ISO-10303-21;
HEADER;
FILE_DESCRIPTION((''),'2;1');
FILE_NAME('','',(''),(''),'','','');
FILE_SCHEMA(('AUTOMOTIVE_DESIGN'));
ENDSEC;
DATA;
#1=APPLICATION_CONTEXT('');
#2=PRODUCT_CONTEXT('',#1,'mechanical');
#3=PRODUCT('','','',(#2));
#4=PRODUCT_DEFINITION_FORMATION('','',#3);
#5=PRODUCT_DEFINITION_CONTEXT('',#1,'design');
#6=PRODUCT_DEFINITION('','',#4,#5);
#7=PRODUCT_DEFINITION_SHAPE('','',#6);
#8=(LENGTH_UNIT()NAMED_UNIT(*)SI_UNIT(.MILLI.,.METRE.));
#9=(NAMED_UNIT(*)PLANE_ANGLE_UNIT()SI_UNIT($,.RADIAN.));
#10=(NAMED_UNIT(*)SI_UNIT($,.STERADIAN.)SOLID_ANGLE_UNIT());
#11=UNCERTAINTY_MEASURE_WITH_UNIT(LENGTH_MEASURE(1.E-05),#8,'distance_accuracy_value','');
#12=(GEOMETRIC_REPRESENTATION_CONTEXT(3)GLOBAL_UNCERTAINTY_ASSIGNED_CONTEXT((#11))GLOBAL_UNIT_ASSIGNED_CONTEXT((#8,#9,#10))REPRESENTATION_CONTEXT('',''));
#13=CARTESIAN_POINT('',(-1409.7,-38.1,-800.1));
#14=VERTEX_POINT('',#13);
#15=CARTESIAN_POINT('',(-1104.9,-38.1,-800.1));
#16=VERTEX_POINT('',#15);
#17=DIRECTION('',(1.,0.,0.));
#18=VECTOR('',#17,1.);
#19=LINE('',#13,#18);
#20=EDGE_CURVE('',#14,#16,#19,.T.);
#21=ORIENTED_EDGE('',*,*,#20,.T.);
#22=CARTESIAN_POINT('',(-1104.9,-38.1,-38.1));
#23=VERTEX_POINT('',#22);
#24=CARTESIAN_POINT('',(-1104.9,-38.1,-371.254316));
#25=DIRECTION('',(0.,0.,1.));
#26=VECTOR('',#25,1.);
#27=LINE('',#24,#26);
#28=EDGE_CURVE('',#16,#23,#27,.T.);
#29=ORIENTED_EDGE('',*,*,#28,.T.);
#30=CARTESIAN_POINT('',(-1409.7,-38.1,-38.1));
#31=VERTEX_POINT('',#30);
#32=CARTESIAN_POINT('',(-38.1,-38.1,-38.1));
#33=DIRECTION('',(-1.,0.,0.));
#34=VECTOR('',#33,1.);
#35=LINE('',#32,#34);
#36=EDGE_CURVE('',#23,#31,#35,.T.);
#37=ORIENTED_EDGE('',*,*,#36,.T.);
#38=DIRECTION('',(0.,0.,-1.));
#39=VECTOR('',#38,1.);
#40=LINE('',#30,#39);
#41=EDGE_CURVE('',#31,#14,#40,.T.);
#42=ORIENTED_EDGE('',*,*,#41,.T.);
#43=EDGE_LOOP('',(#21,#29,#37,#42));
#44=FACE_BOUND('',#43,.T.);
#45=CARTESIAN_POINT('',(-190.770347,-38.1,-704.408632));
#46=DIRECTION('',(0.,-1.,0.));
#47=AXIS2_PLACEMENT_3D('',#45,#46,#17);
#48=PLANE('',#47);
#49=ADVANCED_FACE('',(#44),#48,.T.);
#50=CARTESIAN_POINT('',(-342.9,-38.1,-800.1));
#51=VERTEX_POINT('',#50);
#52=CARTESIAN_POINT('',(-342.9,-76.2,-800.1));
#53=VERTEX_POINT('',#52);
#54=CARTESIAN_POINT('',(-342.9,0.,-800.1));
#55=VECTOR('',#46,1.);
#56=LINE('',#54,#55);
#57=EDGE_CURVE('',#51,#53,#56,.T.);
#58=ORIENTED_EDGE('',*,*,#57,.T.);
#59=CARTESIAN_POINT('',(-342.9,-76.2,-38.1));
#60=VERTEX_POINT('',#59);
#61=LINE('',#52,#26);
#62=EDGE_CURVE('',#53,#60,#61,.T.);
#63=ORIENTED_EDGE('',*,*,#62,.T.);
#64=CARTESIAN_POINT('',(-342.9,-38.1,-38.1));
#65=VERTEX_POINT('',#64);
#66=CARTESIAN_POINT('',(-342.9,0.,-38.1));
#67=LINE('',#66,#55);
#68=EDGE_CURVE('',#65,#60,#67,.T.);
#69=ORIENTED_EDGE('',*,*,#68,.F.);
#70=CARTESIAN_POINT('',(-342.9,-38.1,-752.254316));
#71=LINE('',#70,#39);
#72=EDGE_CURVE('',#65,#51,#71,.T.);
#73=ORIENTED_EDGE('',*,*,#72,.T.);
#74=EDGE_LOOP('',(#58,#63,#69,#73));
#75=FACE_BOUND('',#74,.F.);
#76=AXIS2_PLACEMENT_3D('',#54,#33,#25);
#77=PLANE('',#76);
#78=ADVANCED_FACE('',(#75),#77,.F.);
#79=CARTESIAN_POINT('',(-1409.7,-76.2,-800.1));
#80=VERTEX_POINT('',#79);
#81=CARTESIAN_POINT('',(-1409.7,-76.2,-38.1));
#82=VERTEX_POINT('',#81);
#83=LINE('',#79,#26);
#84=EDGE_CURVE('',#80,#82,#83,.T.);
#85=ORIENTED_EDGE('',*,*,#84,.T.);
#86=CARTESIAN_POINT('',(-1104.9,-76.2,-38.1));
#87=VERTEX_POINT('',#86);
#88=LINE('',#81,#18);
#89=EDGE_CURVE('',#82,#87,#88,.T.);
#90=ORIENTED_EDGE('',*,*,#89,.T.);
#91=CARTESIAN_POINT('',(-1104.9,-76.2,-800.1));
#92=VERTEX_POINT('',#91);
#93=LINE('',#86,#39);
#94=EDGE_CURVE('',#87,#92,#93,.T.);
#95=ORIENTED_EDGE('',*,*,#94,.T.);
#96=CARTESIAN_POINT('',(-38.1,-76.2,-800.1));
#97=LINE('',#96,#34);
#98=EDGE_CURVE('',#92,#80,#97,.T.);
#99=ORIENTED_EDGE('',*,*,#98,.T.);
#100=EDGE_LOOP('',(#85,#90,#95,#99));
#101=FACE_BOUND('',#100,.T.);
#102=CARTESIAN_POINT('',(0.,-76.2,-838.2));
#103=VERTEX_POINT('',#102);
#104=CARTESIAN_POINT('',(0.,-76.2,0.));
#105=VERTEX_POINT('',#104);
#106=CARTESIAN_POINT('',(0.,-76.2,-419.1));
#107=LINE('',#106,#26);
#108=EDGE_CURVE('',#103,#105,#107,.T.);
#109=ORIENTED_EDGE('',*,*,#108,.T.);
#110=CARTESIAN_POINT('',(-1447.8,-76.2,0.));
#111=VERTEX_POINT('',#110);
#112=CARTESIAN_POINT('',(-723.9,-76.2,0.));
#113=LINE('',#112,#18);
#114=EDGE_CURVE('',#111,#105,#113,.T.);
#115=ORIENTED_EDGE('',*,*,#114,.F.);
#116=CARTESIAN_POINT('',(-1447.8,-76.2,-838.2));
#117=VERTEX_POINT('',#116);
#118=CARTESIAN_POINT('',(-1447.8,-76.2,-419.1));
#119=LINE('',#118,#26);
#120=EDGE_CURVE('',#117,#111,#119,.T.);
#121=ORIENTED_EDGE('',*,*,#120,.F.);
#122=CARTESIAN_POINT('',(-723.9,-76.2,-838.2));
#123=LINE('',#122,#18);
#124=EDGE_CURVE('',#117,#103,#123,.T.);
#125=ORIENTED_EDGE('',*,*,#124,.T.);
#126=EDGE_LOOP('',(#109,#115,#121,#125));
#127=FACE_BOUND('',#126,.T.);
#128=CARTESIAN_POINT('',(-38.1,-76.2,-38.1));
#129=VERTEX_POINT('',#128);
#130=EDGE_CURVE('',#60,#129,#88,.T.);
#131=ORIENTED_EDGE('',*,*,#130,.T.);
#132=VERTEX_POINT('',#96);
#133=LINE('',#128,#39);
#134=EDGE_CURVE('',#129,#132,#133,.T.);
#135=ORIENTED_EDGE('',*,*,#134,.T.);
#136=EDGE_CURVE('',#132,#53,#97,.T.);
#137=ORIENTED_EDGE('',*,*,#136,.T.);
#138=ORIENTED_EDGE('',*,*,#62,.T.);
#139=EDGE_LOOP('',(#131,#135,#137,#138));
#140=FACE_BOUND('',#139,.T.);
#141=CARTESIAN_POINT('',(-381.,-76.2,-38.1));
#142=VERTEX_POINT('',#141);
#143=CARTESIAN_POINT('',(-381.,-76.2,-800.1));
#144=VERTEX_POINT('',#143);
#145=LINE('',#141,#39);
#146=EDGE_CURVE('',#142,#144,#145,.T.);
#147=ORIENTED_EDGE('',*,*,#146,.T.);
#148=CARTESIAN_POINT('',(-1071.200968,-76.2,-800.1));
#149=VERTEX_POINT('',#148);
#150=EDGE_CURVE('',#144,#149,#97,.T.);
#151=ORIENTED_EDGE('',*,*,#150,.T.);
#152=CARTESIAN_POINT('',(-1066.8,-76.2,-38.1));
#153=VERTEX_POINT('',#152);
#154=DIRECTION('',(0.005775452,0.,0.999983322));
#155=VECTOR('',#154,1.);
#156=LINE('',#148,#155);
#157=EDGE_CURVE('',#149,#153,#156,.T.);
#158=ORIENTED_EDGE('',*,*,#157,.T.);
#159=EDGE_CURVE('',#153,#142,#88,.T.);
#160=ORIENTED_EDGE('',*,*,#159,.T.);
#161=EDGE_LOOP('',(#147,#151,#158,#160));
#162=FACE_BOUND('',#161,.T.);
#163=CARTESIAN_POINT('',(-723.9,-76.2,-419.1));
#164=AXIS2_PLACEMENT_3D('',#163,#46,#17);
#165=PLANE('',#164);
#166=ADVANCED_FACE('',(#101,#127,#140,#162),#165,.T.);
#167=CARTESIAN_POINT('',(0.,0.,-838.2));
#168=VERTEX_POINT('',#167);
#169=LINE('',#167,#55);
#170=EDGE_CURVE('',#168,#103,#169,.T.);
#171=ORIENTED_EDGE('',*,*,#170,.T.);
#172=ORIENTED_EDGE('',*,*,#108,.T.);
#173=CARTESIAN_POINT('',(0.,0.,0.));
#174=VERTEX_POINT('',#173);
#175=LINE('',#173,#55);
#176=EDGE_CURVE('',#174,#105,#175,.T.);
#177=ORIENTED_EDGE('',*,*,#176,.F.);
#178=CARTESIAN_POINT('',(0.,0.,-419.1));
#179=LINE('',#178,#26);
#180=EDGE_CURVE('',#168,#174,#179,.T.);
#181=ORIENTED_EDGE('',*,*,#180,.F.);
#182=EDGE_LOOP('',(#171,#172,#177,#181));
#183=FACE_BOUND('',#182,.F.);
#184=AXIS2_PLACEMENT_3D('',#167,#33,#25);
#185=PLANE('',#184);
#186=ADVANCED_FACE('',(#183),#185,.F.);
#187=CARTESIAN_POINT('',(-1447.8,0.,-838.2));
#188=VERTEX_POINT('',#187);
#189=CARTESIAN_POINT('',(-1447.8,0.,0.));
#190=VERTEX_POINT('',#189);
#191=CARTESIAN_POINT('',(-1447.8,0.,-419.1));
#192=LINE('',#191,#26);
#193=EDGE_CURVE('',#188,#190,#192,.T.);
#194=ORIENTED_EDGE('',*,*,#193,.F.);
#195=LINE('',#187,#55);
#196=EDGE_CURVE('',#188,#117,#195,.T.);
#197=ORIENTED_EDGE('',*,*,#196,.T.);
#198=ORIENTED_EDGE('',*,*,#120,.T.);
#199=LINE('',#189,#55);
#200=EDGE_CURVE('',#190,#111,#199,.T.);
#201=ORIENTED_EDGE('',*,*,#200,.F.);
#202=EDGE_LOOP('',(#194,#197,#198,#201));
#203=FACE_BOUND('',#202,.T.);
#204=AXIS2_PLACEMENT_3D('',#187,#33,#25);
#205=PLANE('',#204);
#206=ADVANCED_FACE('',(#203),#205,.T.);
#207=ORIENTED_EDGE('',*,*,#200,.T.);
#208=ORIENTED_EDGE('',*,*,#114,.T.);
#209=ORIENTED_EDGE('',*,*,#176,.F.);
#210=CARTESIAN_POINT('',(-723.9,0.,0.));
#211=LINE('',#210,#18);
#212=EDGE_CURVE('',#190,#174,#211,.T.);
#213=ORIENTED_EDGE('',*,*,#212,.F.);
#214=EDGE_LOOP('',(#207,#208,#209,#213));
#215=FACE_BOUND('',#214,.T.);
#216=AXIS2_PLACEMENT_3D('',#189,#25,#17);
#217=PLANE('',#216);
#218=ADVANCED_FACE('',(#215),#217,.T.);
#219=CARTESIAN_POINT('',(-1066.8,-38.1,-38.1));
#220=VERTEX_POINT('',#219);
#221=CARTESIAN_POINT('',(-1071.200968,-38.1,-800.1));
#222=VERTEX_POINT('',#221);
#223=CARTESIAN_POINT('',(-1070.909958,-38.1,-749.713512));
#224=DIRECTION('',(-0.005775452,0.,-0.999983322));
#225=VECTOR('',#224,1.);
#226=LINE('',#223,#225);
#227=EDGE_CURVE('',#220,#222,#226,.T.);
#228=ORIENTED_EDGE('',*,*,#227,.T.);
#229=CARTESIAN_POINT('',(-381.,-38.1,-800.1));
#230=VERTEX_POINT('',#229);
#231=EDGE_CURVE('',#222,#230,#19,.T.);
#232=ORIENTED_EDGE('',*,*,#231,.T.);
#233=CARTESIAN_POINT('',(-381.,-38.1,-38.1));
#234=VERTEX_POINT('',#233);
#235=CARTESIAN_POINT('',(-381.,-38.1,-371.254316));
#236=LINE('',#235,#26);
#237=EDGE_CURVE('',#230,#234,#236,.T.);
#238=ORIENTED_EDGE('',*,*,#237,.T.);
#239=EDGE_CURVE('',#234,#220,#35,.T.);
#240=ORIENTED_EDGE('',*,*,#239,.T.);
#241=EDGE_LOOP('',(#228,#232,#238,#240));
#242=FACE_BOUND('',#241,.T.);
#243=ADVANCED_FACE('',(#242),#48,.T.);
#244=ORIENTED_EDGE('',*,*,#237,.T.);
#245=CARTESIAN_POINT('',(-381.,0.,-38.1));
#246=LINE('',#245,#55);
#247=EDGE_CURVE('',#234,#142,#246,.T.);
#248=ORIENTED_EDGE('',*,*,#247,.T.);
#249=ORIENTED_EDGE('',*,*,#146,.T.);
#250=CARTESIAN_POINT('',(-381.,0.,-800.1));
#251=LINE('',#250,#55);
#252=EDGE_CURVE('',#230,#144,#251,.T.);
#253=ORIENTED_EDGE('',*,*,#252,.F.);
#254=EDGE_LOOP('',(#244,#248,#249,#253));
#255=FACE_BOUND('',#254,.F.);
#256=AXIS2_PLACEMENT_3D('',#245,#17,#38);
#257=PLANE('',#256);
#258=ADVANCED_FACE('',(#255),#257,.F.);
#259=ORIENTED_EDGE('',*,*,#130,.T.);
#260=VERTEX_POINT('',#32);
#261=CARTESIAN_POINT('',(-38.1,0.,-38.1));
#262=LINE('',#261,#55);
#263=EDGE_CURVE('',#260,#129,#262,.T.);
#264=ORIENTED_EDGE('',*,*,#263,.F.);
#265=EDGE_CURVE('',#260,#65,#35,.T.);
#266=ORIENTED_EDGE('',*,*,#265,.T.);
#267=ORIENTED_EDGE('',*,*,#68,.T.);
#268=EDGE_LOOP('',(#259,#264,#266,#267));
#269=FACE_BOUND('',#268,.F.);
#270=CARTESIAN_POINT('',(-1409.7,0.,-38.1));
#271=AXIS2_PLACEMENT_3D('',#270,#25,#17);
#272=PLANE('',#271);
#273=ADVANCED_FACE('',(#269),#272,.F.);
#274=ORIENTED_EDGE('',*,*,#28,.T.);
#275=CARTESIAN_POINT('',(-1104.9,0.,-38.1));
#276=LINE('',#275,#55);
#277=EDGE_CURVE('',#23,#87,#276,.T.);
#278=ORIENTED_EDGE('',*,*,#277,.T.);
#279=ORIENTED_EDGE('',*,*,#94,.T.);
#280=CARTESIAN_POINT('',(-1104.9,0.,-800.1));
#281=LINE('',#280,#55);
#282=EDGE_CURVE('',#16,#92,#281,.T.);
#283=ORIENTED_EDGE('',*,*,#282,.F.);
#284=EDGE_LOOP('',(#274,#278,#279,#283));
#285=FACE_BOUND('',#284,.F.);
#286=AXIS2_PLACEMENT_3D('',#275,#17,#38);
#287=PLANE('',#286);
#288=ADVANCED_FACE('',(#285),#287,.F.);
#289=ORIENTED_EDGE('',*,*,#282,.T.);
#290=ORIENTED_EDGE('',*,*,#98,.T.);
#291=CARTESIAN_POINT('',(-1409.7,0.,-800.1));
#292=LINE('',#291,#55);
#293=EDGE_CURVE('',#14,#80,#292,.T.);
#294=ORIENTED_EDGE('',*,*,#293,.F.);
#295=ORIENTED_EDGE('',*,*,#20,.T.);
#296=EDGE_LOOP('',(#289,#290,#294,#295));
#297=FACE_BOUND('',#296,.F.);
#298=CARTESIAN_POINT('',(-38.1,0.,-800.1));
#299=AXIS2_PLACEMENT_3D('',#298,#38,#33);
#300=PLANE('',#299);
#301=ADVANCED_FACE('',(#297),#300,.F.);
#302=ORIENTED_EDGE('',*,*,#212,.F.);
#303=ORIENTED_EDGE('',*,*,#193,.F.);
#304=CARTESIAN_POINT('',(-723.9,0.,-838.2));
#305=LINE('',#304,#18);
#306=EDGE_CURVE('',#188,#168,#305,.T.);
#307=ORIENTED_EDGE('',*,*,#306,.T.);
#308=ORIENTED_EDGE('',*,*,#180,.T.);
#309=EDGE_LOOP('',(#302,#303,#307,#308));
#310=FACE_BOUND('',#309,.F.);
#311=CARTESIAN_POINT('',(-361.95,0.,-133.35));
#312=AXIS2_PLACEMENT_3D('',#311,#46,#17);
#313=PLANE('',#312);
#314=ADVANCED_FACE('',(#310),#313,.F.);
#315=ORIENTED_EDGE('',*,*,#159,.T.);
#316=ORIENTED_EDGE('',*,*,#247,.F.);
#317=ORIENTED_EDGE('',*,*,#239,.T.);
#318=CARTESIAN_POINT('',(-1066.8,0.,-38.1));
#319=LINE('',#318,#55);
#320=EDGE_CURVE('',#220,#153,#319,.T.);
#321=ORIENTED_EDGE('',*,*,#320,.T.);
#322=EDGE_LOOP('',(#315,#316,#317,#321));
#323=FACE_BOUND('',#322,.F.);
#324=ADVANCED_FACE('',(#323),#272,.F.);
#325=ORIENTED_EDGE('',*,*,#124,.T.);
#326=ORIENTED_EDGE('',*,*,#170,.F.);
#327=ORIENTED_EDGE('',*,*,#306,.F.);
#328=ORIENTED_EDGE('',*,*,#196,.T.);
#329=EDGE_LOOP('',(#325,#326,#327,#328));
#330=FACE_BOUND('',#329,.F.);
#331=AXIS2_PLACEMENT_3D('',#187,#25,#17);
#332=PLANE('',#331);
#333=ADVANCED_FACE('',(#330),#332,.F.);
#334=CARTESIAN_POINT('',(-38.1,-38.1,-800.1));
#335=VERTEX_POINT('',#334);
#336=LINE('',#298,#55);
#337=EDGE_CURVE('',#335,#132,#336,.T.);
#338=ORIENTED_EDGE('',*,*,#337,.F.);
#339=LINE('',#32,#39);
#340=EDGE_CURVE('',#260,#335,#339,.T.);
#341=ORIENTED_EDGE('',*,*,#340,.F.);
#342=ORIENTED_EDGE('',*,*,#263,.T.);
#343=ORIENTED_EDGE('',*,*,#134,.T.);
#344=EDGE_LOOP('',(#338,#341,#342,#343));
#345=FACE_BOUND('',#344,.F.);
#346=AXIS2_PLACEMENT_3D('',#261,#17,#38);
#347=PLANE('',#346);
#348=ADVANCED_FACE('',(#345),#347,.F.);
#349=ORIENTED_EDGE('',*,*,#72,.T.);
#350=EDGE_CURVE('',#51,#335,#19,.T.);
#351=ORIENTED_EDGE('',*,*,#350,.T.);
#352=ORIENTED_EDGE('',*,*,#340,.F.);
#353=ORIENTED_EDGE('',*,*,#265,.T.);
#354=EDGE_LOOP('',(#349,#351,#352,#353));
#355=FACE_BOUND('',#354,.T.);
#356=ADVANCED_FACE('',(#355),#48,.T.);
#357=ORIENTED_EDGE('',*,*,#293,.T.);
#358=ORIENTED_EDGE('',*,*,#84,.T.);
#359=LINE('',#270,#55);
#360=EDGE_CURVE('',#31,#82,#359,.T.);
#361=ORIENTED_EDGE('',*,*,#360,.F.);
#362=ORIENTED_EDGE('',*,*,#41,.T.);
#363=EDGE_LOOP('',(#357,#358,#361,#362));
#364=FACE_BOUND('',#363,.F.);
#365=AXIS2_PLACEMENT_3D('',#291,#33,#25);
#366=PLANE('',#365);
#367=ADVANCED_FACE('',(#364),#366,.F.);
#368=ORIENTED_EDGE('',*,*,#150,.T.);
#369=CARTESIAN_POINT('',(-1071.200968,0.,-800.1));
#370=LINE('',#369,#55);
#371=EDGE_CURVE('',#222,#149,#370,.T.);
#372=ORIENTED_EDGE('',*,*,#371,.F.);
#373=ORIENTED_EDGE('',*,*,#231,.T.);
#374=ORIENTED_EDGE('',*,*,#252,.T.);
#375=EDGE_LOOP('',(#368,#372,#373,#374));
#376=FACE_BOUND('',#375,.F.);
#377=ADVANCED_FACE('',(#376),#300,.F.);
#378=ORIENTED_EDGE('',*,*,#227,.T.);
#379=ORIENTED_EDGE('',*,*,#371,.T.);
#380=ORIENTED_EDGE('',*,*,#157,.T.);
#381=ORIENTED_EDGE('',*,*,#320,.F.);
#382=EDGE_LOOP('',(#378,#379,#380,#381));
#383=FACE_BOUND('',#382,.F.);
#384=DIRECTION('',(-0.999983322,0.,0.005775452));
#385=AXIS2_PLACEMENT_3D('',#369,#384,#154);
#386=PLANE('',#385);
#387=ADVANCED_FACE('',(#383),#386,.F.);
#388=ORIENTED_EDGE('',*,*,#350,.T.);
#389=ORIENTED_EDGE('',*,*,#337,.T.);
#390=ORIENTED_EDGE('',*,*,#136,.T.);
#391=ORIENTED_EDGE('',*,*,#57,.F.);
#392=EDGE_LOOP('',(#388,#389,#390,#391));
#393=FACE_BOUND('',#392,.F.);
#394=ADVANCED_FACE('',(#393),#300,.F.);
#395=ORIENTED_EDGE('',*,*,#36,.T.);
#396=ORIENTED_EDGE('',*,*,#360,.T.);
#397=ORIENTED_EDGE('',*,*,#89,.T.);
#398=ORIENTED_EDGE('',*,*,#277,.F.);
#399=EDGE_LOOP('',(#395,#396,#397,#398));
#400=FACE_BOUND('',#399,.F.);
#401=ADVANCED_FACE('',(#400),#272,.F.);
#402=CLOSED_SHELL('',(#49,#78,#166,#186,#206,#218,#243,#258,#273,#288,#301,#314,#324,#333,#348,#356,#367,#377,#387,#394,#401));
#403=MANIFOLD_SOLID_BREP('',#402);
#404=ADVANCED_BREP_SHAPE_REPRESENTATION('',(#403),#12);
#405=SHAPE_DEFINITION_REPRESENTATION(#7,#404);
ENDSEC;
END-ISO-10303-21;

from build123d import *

# Parameters (mm, degrees)
F0_W     = 304.8
F0_H     = 190.5
F0_W_2   = 38.1
F1_DEPTH = 38.1
F2_DEPTH = 38.1
F3_DEPTH = 38.1
F4_DEPTH = 38.1
F0_W_3   = 1447.8
F0_H_2   = 838.2
F5_DEPTH = 76.2
F6_DEPTH = 76.2
F7_DEPTH = 76.2


with BuildPart() as f1:
    # F0 (on Front) → F1 (new body)
    with BuildSketch(Plane.XZ):
        with Locations((-190.5, -133.35)):
            Rectangle(F0_W, F0_H)
        with Locations((-361.95, -133.35)):
            Rectangle(F0_W_2, F0_H)
        Polygon((-381, -228.6), (-381, -38.1), (-1066.8, -38.1), (-1067.900241926, -228.6), align=None)
        Polygon((-1067.900241926, -228.6), (-1066.8, -38.1), (-1104.9, -38.1), (-1104.9, -228.6), align=None)
        with Locations((-1257.3, -133.35)):
            Rectangle(F0_W, F0_H)
    extrude(amount=F1_DEPTH)

    # F0 (on Front) → F2 (join)
    with BuildSketch(Plane.XZ):
        Polygon((-38.1, -427.021741867), (-38.1, -228.6), (-342.9, -228.6), (-342.9, -425.2613547854), align=None)
        Polygon((-342.9, -425.2613547854), (-342.9, -228.6), (-381, -228.6), (-381, -425.0413064002), align=None)
        Polygon((-381, -425.0413064002), (-381, -228.6), (-1067.900241926, -228.6), (-1069.0118481718, -421.0676608311), align=None)
        Polygon((-1069.0118481718, -421.0676608311), (-1067.900241926, -228.6), (-1104.9, -228.6), (-1104.9, -420.8603870816), align=None)
        Polygon((-1104.9, -420.8603870816), (-1104.9, -228.6), (-1409.7, -228.6), (-1409.7, -419.1), align=None)
    extrude(amount=F2_DEPTH)

    # F0 (on Front) → F3 (join)
    with BuildSketch(Plane.XZ):
        Polygon((-38.1, -609.6), (-38.1, -427.021741867), (-342.9, -425.2613547854), (-342.9, -607.8396129184), align=None)
        Polygon((-342.9, -607.8396129184), (-342.9, -425.2613547854), (-381, -425.0413064002), (-381, -607.6195645333), align=None)
        Polygon((-381, -607.6195645333), (-381, -425.0413064002), (-1069.0118481718, -421.0676608311), (-1070.0663025227, -603.6398289122), align=None)
        Polygon((-1070.0663025227, -603.6398289122), (-1069.0118481718, -421.0676608311), (-1104.9, -420.8603870816), (-1104.9, -603.4386452146), align=None)
        Polygon((-1104.9, -603.4386452146), (-1104.9, -420.8603870816), (-1409.7, -419.1), (-1409.7, -601.678258133), align=None)
    extrude(amount=F3_DEPTH)

    # F0 (on Front) → F4 (join)
    with BuildSketch(Plane.XZ):
        Polygon((-38.1, -800.1), (-38.1, -609.6), (-342.9, -607.8396129184), (-342.9, -800.1), align=None)
        Polygon((-342.9, -800.1), (-342.9, -607.8396129184), (-381, -607.6195645333), (-381, -800.1), align=None)
        Polygon((-381, -800.1), (-381, -607.6195645333), (-1070.0663025227, -603.6398289122), (-1071.2009677039, -800.1), align=None)
        Polygon((-1071.2009677039, -800.1), (-1070.0663025227, -603.6398289122), (-1104.9, -603.4386452146), (-1104.9, -800.1), align=None)
        Polygon((-1104.9, -800.1), (-1104.9, -603.4386452146), (-1409.7, -601.678258133), (-1409.7, -800.1), align=None)
    extrude(amount=F4_DEPTH)

    # F0 (on Front) → F5 (join)
    with BuildSketch(Plane.XZ):
        with Locations((-723.9, -419.1)):
            Rectangle(F0_W_3, F0_H_2)
        Polygon((-342.9, -38.1), (-38.1, -38.1), (-38.1, -228.6), (-38.1, -427.021741867), (-38.1, -609.6), (-38.1, -800.1), (-342.9, -800.1), (-381, -800.1), (-1071.2009677039, -800.1), (-1104.9, -800.1), (-1409.7, -800.1), (-1409.7, -601.678258133), (-1409.7, -419.1), (-1409.7, -228.6), (-1409.7, -38.1), (-1104.9, -38.1), (-1066.8, -38.1), (-381, -38.1), align=None, mode=Mode.SUBTRACT)
    extrude(amount=F5_DEPTH)

    # F0 (on Front) → F6 (join)
    with BuildSketch(Plane.XZ):
        Polygon((-1067.900241926, -228.6), (-1066.8, -38.1), (-1104.9, -38.1), (-1104.9, -228.6), align=None)
        Polygon((-1069.0118481718, -421.0676608311), (-1067.900241926, -228.6), (-1104.9, -228.6), (-1104.9, -420.8603870816), align=None)
        Polygon((-1070.0663025227, -603.6398289122), (-1069.0118481718, -421.0676608311), (-1104.9, -420.8603870816), (-1104.9, -603.4386452146), align=None)
        Polygon((-1071.2009677039, -800.1), (-1070.0663025227, -603.6398289122), (-1104.9, -603.4386452146), (-1104.9, -800.1), align=None)
    extrude(amount=F6_DEPTH)

    # F0 (on Front) → F7 (join)
    with BuildSketch(Plane.XZ):
        with Locations((-361.95, -133.35)):
            Rectangle(F0_W_2, F0_H)
        Polygon((-342.9, -425.2613547854), (-342.9, -228.6), (-381, -228.6), (-381, -425.0413064002), align=None)
        Polygon((-342.9, -607.8396129184), (-342.9, -425.2613547854), (-381, -425.0413064002), (-381, -607.6195645333), align=None)
        Polygon((-342.9, -800.1), (-342.9, -607.8396129184), (-381, -607.6195645333), (-381, -800.1), align=None)
    extrude(amount=F7_DEPTH)


solid = f1.part
